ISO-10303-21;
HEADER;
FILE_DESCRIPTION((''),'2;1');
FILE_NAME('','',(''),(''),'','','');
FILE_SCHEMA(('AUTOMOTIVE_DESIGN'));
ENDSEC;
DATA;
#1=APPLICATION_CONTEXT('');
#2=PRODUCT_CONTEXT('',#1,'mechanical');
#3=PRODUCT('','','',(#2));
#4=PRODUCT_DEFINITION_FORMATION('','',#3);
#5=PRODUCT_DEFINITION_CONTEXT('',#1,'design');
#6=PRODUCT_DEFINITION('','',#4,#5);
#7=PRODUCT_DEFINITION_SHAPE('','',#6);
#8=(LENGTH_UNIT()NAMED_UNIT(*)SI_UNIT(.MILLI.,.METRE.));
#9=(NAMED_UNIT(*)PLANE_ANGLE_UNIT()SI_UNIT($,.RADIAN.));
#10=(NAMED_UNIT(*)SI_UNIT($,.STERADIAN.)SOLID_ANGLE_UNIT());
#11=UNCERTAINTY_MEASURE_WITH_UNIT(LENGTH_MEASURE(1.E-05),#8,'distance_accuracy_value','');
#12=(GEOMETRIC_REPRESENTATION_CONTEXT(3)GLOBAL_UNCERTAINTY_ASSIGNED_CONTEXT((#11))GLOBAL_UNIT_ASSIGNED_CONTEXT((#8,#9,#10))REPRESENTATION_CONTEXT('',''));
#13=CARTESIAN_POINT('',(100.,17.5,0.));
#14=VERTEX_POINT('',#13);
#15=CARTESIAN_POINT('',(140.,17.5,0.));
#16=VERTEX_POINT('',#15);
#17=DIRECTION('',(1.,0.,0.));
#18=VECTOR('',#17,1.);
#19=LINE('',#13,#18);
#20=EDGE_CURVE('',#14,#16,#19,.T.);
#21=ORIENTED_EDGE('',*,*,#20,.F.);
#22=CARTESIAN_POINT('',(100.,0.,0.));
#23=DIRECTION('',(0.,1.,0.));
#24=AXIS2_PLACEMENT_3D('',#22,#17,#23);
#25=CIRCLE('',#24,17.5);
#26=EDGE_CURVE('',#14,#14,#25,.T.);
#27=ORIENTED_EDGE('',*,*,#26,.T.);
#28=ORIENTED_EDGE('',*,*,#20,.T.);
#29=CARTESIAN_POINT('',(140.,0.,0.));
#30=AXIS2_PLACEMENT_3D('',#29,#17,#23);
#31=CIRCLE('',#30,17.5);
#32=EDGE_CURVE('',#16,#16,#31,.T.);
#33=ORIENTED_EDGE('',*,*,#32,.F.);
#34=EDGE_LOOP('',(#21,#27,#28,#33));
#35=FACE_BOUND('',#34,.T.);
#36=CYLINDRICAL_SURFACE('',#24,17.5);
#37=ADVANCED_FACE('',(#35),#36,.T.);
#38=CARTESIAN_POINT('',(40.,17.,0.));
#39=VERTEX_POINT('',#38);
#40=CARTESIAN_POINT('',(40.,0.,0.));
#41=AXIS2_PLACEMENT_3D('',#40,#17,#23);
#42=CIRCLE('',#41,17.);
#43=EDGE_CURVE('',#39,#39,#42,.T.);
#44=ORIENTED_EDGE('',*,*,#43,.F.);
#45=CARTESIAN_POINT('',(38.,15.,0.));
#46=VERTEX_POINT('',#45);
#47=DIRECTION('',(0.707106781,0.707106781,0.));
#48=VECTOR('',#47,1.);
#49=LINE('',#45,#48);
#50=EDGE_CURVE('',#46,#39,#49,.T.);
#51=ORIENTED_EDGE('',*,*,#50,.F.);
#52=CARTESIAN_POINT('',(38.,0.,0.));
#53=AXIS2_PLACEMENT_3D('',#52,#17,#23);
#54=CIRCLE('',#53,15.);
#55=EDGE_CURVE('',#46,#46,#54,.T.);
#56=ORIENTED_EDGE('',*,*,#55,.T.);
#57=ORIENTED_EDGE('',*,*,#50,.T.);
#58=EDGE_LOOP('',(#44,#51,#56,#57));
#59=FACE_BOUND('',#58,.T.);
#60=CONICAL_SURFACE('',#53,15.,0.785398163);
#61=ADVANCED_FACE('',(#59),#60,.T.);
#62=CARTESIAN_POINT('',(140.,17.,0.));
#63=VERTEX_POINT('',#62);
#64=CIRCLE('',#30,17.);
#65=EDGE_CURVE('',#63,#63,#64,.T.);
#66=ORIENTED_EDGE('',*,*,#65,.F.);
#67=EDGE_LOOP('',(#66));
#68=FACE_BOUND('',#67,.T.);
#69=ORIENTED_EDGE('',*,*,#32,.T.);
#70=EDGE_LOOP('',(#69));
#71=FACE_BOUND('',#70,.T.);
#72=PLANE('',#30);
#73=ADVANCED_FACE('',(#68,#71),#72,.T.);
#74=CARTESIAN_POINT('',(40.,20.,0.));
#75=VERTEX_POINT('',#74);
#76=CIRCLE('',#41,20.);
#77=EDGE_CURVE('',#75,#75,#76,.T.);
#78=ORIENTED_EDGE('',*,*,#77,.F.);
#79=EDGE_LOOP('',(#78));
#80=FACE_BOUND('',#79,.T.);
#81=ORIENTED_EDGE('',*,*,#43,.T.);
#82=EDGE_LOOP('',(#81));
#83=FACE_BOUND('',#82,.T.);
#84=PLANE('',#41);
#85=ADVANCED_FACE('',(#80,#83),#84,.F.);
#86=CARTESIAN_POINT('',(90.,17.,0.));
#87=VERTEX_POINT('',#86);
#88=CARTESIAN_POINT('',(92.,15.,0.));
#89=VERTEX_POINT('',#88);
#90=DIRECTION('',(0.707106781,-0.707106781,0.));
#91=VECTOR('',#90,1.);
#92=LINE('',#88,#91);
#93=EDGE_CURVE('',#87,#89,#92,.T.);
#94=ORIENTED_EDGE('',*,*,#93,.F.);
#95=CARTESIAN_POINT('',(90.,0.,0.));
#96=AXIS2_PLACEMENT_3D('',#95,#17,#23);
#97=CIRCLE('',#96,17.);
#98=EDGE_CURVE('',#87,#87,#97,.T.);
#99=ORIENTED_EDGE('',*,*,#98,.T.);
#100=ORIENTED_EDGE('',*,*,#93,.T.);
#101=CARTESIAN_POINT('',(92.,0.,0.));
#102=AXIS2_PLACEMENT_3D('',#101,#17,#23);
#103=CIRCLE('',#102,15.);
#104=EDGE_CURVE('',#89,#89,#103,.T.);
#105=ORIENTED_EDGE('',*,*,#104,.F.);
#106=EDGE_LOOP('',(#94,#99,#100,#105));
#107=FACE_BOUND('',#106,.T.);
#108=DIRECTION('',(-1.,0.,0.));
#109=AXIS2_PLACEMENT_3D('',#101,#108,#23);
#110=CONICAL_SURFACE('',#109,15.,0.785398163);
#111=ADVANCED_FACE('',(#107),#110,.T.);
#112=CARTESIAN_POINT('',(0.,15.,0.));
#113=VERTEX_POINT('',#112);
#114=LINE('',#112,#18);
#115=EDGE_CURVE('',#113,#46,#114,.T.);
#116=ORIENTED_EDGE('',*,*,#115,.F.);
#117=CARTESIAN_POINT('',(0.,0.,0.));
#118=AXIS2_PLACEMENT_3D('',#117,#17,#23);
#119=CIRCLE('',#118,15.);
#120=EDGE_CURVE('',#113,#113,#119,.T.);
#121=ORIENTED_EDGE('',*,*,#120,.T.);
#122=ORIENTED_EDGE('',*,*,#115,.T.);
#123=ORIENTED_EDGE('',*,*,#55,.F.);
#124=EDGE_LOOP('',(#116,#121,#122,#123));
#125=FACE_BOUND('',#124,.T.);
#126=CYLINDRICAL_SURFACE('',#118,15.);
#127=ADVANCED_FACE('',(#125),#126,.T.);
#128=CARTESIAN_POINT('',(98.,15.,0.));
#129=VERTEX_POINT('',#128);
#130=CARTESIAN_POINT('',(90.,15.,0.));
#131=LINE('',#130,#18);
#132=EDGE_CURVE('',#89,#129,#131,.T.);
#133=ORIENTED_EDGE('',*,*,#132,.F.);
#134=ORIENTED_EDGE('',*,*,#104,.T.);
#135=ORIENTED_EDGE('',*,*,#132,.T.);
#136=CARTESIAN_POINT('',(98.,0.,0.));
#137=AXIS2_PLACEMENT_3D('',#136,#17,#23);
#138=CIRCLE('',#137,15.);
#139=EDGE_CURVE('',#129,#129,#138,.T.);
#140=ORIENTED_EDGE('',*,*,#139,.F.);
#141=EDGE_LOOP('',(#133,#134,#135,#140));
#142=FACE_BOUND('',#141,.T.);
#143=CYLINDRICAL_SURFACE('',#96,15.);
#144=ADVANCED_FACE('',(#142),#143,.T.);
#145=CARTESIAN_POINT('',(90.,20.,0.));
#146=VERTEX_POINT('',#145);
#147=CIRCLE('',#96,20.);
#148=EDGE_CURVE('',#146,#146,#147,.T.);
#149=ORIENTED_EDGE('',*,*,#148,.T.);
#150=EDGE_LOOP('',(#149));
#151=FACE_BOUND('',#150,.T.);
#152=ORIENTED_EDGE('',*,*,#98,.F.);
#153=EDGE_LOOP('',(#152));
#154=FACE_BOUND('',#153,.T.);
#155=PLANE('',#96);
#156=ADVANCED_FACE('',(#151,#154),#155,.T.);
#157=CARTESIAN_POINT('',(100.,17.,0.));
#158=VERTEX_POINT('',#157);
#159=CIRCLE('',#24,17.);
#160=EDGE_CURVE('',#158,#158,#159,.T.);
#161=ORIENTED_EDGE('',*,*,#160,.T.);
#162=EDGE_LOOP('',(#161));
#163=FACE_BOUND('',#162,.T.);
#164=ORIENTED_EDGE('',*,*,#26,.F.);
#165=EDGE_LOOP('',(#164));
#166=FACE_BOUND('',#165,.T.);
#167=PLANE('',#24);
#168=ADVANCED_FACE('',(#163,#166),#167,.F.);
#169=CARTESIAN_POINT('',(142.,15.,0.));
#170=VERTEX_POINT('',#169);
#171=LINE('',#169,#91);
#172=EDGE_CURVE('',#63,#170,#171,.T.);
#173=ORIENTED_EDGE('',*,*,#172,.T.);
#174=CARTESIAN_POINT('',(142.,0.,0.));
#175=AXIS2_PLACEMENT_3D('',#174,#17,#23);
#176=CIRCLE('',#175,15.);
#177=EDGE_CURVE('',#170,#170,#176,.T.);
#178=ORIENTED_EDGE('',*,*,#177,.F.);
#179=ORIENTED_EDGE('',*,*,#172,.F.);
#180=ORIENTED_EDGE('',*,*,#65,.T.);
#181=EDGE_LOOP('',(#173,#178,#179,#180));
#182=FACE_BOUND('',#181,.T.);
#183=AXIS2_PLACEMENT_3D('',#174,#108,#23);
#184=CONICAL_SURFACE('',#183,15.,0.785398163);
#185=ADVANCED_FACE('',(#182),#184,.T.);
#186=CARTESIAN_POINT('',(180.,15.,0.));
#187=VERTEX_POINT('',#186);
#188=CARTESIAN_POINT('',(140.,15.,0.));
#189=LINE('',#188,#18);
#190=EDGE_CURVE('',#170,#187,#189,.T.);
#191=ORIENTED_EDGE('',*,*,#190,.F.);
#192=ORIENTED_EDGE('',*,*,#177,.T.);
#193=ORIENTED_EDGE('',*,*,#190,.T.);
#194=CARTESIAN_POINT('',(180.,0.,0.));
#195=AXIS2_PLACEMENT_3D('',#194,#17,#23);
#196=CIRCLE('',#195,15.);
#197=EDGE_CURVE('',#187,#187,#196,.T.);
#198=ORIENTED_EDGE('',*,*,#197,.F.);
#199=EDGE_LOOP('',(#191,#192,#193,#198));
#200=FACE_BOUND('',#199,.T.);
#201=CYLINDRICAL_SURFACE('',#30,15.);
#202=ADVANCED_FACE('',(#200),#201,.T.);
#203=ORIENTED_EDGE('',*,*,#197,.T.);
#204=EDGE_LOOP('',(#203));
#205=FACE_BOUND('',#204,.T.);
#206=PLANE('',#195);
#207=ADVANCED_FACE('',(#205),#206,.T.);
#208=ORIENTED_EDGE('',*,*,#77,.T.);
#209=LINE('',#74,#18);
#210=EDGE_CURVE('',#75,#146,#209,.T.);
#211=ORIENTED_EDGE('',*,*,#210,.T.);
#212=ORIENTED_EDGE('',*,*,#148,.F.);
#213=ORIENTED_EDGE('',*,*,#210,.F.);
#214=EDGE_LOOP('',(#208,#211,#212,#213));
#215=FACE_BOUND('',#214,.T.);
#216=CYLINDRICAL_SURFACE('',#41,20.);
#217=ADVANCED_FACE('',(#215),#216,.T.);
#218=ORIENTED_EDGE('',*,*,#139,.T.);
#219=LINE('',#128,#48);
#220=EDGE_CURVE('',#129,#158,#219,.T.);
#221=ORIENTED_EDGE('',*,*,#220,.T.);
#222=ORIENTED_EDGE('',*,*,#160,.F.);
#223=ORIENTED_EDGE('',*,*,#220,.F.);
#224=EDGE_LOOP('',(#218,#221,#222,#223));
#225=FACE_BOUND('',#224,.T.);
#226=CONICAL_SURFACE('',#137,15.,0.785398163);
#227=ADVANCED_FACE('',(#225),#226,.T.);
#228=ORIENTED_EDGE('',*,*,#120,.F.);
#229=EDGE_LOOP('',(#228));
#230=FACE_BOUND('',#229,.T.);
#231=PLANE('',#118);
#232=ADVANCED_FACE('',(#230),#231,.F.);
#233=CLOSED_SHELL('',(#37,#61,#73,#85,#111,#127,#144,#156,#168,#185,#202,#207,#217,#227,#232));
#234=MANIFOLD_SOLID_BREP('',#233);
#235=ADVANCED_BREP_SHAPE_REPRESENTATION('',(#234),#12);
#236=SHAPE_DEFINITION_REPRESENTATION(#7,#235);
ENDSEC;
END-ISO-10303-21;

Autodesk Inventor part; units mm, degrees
ref_plane "Start Plane" through (0, 0, 0) normal (1, 0, 0) x (0, 1, 0)
ref_plane "XZ Plane" through (0, 0, 0) normal (0, 1, 0) x (-1, 0, 0)
ref_plane "XY Plane" through (0, 0, 0) normal (0, 0, 1) x (1, 0, 0)
sketch "Main Sketch" plane through (0, 0, 0) normal (0, 0, 1) x (1, 0, 0)
  line L0 (0, 0) -> (180, 0)
  line L1 (0, 0) -> (0, 15)
  line L2 (0, 15) -> (40, 15)
  line L3 (40, 15) -> (40, 20)
  line L4 (90, 20) -> (90, 15)
  line L5 (40, 20) -> (90, 20)
  line L6 (90, 15) -> (100, 15)
  line L7 (100, 15) -> (100, 17.5)
  line L8 (140, 17.5) -> (140, 15)
  line L9 (100, 17.5) -> (140, 17.5)
  line L10 (180, 15) -> (180, 0)
  line L11 (140, 15) -> (180, 15)
  dimension "d3" = 30
  dimension "d4" = 40
  dimension "d5" = 30
  dimension "d6" = 35
  dimension "d7" = 30
revolve "Revolution1" add sketch "Main Sketch" angle 360 about axis through (0, 0, 0) along (1, 0, 0)
chamfer "Chamfer1" distance 2 angle 45 1 edges at (40, -15, 0) measured on face at (26.6667, 14.8058, -2.4062)
chamfer "Chamfer2" distance 2 angle 45 1 edges at (90, -15, 0) measured on face at (96.6667, 14.8058, -2.4062)
chamfer "Chamfer3" distance 2 angle 45 1 edges at (100, -15, 0) measured on face at (97.3333, 14.9514, -1.207)
chamfer "Chamfer4" distance 2 angle 45 1 edges at (140, -15, 0) measured on face at (166.6667, 14.8058, -2.4062)
equation "\"Length\" = 180"
properties part number "Shaft" material "Steel"
